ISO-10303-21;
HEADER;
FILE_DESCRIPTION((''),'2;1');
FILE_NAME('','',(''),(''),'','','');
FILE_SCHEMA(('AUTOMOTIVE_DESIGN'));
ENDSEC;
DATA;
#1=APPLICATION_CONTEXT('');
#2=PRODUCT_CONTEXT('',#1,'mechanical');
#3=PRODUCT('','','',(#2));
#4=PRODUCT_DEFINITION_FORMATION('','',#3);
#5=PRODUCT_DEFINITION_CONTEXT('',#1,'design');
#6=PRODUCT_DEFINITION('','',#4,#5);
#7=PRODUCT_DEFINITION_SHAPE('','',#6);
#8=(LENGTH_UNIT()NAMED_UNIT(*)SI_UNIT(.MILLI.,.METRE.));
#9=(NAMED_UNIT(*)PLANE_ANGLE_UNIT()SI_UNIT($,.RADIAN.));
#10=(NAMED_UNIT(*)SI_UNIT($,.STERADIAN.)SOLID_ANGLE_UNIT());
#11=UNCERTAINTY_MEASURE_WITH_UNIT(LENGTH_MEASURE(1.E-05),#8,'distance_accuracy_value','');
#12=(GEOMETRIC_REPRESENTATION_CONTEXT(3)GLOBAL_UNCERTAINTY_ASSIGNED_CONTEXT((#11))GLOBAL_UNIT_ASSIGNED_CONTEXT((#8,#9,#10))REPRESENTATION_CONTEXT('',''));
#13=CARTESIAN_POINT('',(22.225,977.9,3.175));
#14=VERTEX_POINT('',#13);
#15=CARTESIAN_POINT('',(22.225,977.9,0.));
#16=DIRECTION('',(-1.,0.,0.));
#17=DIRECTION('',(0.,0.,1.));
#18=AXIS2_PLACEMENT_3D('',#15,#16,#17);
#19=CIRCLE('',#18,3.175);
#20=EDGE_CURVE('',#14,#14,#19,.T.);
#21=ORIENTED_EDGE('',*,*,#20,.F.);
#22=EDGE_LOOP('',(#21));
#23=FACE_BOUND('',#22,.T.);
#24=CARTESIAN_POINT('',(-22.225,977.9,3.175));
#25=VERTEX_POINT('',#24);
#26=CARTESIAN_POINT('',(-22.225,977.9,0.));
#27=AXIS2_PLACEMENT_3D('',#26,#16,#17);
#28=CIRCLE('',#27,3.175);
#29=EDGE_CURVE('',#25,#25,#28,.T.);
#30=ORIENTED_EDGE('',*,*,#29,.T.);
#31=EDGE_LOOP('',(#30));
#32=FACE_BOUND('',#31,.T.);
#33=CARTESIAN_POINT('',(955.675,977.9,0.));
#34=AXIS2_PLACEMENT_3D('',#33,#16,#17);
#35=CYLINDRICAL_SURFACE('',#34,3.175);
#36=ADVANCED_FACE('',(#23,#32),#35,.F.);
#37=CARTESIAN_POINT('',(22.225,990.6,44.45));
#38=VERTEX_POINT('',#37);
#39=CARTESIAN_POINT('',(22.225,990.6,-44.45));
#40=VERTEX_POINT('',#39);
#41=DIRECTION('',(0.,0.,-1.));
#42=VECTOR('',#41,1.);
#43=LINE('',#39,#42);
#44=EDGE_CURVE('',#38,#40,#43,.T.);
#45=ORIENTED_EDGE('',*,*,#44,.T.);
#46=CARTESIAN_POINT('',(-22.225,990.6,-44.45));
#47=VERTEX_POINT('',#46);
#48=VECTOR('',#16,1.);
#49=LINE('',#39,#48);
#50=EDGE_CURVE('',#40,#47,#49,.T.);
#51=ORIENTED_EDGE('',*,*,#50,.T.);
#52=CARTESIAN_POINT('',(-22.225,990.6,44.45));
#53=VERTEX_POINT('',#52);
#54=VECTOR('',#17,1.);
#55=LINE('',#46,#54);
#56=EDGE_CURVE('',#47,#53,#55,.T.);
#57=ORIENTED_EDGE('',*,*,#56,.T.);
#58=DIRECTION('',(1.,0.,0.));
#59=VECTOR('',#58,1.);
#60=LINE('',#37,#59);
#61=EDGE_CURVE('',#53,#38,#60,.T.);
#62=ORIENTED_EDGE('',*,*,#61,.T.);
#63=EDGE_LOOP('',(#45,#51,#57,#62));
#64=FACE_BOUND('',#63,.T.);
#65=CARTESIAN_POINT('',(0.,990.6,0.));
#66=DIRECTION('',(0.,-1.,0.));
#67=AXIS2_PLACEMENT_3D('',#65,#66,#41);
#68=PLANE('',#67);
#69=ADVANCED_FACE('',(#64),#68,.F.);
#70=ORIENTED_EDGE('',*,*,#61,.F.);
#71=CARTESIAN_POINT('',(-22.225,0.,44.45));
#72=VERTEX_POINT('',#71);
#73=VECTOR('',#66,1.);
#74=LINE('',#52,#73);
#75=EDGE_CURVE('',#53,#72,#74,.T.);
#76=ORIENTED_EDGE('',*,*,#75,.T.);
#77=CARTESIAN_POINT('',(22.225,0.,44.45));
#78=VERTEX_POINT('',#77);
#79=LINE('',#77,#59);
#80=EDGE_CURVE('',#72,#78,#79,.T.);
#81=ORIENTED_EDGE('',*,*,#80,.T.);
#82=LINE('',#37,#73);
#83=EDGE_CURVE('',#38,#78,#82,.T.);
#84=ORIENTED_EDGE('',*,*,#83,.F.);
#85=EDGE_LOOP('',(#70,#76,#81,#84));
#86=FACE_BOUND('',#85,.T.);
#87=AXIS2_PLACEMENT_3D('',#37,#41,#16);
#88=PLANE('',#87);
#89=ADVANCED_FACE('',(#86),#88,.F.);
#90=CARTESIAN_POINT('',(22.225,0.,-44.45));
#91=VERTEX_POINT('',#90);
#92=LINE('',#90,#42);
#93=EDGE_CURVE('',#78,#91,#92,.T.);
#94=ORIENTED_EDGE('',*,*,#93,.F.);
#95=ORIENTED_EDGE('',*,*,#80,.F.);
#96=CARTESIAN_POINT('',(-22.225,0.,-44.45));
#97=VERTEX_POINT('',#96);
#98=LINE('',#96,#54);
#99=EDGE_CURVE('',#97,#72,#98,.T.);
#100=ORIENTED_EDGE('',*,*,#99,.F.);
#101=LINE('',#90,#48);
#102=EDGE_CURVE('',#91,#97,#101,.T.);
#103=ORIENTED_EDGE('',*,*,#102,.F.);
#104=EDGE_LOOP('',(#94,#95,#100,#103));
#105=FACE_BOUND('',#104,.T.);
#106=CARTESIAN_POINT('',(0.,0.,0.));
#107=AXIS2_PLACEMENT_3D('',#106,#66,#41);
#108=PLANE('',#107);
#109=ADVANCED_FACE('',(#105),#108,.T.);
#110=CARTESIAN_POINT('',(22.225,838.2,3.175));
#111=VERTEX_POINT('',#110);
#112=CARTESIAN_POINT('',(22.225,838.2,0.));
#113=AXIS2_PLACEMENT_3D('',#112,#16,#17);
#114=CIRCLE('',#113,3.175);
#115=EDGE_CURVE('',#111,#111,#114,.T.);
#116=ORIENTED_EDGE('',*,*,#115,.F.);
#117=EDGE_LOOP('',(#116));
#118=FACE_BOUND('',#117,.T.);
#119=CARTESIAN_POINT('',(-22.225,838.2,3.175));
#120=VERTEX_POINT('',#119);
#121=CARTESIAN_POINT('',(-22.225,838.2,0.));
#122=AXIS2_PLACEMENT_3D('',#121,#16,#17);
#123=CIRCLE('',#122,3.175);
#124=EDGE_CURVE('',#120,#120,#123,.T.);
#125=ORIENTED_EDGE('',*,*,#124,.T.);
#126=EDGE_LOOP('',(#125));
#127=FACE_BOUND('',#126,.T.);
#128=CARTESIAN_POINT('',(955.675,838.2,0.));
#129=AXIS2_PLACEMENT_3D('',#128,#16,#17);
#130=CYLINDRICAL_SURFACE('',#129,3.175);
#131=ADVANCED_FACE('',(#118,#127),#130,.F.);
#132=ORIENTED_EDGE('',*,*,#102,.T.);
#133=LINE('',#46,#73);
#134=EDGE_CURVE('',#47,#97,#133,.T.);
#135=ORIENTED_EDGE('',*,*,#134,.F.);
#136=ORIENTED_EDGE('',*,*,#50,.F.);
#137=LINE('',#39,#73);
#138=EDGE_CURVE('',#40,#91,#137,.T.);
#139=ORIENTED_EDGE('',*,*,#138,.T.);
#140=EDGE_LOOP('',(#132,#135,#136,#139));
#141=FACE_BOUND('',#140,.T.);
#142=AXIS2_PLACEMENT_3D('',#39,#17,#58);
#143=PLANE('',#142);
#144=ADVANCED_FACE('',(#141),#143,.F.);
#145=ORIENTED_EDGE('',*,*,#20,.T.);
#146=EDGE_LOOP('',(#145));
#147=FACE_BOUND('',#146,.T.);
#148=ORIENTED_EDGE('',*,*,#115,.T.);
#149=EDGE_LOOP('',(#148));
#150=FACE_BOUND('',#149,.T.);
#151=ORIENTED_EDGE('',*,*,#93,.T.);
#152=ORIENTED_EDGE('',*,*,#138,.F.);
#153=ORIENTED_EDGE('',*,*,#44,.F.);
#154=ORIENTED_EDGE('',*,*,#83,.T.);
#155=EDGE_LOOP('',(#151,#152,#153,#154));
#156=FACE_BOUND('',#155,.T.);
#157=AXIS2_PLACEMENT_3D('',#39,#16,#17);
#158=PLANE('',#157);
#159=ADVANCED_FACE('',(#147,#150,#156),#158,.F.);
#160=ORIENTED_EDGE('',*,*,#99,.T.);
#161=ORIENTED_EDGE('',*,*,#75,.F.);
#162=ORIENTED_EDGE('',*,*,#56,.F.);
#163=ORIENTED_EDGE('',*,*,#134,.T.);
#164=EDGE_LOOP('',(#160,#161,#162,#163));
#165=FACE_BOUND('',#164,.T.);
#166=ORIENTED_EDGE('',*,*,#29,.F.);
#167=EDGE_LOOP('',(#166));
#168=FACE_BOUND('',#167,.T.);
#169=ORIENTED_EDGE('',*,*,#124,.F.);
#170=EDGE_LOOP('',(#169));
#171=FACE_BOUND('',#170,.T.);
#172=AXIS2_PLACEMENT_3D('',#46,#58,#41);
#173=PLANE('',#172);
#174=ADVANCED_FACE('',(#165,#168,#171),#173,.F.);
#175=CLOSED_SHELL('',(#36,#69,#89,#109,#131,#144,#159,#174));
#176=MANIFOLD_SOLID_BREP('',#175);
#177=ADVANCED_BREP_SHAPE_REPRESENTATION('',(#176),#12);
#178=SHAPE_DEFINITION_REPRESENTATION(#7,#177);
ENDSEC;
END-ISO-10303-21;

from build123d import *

# Parameters (mm, degrees)
SKETCH1_W           = 44.45
SKETCH1_H           = 88.9
BOSS_EXTRUDE1_DEPTH = 990.6
SKETCH2_R           = 3.175
CUT_EXTRUDE1_DEPTH  = 977.9


with BuildPart() as part:
    # Sketch1 → Boss-Extrude1 (new body)
    with BuildSketch(Plane(origin=(0, 0, 0), x_dir=(1, 0, 0), z_dir=(0, 1, 0))):
        Rectangle(SKETCH1_W, SKETCH1_H)
    extrude(amount=BOSS_EXTRUDE1_DEPTH)

    # Sketch2 → Cut-Extrude1 (cut)
    with BuildSketch(Plane.ZY.offset(22.225)):
        with Locations((0, 977.9)):
            Circle(SKETCH2_R)
        with Locations((0, 838.2)):
            Circle(SKETCH2_R)
    extrude(amount=-CUT_EXTRUDE1_DEPTH, mode=Mode.SUBTRACT)


solid = part.part
